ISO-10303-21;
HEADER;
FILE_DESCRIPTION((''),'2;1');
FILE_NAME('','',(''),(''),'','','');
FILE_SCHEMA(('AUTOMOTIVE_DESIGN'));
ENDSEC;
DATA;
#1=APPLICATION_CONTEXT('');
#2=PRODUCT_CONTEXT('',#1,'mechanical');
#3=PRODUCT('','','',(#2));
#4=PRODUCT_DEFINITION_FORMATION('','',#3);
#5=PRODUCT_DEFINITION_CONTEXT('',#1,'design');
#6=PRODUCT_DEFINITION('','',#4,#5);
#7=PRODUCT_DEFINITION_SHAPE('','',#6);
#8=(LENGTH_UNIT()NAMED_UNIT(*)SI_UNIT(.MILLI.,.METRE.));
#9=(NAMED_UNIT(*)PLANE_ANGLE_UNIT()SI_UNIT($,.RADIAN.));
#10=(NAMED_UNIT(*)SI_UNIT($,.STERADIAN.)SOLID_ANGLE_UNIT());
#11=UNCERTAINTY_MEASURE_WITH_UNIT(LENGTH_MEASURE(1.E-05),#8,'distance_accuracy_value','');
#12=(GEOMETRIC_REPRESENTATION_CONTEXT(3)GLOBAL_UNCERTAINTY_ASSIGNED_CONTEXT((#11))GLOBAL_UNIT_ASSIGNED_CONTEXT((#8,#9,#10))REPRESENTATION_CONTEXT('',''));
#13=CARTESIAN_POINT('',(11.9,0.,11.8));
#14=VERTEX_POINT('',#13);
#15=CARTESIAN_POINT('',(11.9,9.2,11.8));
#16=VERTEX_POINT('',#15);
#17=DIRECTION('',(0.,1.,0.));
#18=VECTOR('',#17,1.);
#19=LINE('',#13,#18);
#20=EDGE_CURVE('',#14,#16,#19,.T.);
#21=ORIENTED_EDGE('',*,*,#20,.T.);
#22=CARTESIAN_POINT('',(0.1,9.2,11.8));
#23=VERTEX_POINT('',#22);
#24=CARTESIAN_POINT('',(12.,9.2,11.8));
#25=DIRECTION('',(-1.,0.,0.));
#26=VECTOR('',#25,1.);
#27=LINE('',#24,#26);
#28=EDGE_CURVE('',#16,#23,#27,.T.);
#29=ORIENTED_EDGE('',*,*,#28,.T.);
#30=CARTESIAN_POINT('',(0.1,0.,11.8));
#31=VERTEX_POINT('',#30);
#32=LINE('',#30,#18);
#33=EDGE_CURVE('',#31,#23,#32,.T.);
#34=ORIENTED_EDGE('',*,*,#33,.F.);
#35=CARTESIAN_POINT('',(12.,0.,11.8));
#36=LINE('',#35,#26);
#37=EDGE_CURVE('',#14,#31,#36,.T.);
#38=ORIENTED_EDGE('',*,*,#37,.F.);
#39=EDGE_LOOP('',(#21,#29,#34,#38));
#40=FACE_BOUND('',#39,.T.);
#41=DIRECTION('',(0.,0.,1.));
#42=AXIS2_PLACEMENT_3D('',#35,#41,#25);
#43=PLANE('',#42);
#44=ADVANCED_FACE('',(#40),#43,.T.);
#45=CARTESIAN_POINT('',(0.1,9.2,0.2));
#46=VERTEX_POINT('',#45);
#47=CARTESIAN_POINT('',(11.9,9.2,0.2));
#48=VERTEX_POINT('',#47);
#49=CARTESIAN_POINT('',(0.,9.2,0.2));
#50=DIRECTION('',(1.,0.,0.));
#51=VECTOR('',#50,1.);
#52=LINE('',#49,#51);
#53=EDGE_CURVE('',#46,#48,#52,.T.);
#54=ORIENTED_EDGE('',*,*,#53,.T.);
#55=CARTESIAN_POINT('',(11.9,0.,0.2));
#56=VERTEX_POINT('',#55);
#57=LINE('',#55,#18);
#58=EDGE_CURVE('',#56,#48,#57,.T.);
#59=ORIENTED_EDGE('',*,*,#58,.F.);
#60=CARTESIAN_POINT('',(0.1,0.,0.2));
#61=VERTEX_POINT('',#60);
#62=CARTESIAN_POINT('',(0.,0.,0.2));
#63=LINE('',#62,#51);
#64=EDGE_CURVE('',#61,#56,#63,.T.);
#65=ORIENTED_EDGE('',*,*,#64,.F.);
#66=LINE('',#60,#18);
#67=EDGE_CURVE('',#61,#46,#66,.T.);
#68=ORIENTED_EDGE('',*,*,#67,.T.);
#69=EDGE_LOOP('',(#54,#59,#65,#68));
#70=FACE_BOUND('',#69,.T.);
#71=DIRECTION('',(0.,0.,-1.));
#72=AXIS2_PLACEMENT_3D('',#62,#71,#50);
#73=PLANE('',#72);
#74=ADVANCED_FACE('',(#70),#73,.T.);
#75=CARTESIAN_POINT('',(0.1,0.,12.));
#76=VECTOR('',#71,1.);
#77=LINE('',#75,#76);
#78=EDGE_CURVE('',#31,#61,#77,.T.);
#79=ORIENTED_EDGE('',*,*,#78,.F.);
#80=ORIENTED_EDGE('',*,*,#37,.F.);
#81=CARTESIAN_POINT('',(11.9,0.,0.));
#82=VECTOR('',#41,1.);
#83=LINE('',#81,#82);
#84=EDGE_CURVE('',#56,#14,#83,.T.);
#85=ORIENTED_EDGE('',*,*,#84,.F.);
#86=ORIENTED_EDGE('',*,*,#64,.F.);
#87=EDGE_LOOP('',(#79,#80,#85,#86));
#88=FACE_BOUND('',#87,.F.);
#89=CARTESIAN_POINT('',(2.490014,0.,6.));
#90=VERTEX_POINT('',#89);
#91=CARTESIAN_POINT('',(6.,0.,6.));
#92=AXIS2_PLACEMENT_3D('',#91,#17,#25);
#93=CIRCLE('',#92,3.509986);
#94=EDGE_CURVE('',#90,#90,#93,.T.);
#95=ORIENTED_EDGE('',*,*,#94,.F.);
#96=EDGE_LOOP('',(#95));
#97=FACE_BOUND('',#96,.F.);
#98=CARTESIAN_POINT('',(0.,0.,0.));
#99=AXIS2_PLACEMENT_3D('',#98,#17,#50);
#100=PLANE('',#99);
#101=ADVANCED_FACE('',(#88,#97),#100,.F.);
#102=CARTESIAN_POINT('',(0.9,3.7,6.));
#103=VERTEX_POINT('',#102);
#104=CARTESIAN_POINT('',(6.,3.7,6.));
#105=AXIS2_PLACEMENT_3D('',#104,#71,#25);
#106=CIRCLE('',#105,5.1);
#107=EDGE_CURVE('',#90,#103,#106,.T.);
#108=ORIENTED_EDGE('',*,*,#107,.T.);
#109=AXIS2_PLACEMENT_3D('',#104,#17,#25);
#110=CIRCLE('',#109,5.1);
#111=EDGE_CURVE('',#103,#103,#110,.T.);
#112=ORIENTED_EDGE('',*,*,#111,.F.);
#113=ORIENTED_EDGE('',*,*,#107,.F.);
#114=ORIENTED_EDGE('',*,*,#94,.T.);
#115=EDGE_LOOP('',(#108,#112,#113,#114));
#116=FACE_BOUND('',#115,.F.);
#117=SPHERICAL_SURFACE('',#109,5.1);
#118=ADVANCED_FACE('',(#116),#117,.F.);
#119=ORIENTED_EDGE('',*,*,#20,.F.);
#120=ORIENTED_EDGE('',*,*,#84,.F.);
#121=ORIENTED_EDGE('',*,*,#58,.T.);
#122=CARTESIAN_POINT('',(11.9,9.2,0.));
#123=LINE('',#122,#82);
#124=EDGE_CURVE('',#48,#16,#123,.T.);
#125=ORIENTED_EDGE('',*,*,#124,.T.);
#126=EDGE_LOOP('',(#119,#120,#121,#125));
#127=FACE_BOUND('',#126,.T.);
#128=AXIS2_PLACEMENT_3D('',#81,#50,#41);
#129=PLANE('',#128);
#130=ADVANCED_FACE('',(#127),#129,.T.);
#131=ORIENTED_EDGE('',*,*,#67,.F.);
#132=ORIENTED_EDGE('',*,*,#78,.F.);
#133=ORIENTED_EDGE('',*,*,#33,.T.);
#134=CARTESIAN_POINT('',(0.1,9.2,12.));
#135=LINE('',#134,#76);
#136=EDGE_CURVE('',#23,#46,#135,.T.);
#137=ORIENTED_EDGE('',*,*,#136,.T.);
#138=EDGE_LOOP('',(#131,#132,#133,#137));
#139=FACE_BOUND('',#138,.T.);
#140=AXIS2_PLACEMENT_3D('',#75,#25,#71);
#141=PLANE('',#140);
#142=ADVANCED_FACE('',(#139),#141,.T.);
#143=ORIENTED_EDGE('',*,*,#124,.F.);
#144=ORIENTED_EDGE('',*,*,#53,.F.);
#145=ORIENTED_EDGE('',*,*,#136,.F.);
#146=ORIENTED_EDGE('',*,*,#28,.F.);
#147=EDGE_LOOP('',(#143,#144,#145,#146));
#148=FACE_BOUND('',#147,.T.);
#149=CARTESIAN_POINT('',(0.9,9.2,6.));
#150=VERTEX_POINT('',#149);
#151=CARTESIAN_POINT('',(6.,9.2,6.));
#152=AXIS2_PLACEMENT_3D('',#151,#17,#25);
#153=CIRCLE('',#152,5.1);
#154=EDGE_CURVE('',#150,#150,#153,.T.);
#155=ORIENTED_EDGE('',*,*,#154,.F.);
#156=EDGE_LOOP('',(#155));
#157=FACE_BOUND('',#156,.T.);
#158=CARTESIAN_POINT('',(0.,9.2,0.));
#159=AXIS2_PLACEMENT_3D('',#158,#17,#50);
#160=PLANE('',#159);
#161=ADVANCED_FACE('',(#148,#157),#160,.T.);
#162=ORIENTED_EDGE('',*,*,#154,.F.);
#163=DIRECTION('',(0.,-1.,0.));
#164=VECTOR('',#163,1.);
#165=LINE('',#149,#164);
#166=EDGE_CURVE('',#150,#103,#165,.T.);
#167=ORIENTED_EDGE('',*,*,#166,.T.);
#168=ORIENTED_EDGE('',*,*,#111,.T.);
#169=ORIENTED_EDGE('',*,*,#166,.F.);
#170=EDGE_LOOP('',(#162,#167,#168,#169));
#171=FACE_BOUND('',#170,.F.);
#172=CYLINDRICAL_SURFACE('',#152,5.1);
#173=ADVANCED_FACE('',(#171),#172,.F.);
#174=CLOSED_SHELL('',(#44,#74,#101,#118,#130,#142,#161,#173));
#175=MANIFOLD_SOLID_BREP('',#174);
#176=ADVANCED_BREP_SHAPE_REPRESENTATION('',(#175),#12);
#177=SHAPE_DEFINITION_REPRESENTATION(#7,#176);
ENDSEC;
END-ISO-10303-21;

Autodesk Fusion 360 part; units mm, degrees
sketch "Sketch1" plane through (0, 0, 0) normal (0, 1, 0) x (1, 0, 0)
  line L0 (0, 0) -> (12, 0)
  line L1 (12, 0) -> (12, -12)
  line L2 (12, -12) -> (0, -12)
  line L3 (0, -12) -> (0, 0)
  dimension "d1" = 12
  dimension "d2" = 12
extrude "Extrude1" add sketch "Sketch1" along normal blind 9.2
sketch "Sketch9" plane through (0, 9.2, 0) normal (0, 1, 0) x (-1, 0, 0)
  line L0 (0, 12) -> (-12, 12)
  line L1 (-12, 12) -> (-12, 0)
  line L2 (-12, 0) -> (0, 0)
  line L3 (0, 0) -> (0, 12)
  circle A0 centre (-6, 6) radius 5.1
  dimension "d6" = 10.2
extrude "Extrude2" cut sketch "Sketch9" against normal blind 5.5 contours A0
sphere "SpherePrimitive2" cut diameter 10.2 placed x (-1, 0, 0) y (0, 0, 1) z (0, 1, 0) at (6, 3.7, 6)
extrude "Extrude3" cut 1 faces at (0, 3.0667, 8) along direction (1, 0, 0) blind 0.1
extrude "Extrude4" cut 1 faces at (12, 3.0667, 4) along direction (-1, 0, 0) blind 0.1
extrude "Extrude5" cut 1 faces at (4.0333, 3.0667, 0) along direction (0, 0, 1) blind 0.2
extrude "Extrude6" cut 1 faces at (7.9667, 3.0667, 12) along direction (0, 0, -1) blind 0.2
